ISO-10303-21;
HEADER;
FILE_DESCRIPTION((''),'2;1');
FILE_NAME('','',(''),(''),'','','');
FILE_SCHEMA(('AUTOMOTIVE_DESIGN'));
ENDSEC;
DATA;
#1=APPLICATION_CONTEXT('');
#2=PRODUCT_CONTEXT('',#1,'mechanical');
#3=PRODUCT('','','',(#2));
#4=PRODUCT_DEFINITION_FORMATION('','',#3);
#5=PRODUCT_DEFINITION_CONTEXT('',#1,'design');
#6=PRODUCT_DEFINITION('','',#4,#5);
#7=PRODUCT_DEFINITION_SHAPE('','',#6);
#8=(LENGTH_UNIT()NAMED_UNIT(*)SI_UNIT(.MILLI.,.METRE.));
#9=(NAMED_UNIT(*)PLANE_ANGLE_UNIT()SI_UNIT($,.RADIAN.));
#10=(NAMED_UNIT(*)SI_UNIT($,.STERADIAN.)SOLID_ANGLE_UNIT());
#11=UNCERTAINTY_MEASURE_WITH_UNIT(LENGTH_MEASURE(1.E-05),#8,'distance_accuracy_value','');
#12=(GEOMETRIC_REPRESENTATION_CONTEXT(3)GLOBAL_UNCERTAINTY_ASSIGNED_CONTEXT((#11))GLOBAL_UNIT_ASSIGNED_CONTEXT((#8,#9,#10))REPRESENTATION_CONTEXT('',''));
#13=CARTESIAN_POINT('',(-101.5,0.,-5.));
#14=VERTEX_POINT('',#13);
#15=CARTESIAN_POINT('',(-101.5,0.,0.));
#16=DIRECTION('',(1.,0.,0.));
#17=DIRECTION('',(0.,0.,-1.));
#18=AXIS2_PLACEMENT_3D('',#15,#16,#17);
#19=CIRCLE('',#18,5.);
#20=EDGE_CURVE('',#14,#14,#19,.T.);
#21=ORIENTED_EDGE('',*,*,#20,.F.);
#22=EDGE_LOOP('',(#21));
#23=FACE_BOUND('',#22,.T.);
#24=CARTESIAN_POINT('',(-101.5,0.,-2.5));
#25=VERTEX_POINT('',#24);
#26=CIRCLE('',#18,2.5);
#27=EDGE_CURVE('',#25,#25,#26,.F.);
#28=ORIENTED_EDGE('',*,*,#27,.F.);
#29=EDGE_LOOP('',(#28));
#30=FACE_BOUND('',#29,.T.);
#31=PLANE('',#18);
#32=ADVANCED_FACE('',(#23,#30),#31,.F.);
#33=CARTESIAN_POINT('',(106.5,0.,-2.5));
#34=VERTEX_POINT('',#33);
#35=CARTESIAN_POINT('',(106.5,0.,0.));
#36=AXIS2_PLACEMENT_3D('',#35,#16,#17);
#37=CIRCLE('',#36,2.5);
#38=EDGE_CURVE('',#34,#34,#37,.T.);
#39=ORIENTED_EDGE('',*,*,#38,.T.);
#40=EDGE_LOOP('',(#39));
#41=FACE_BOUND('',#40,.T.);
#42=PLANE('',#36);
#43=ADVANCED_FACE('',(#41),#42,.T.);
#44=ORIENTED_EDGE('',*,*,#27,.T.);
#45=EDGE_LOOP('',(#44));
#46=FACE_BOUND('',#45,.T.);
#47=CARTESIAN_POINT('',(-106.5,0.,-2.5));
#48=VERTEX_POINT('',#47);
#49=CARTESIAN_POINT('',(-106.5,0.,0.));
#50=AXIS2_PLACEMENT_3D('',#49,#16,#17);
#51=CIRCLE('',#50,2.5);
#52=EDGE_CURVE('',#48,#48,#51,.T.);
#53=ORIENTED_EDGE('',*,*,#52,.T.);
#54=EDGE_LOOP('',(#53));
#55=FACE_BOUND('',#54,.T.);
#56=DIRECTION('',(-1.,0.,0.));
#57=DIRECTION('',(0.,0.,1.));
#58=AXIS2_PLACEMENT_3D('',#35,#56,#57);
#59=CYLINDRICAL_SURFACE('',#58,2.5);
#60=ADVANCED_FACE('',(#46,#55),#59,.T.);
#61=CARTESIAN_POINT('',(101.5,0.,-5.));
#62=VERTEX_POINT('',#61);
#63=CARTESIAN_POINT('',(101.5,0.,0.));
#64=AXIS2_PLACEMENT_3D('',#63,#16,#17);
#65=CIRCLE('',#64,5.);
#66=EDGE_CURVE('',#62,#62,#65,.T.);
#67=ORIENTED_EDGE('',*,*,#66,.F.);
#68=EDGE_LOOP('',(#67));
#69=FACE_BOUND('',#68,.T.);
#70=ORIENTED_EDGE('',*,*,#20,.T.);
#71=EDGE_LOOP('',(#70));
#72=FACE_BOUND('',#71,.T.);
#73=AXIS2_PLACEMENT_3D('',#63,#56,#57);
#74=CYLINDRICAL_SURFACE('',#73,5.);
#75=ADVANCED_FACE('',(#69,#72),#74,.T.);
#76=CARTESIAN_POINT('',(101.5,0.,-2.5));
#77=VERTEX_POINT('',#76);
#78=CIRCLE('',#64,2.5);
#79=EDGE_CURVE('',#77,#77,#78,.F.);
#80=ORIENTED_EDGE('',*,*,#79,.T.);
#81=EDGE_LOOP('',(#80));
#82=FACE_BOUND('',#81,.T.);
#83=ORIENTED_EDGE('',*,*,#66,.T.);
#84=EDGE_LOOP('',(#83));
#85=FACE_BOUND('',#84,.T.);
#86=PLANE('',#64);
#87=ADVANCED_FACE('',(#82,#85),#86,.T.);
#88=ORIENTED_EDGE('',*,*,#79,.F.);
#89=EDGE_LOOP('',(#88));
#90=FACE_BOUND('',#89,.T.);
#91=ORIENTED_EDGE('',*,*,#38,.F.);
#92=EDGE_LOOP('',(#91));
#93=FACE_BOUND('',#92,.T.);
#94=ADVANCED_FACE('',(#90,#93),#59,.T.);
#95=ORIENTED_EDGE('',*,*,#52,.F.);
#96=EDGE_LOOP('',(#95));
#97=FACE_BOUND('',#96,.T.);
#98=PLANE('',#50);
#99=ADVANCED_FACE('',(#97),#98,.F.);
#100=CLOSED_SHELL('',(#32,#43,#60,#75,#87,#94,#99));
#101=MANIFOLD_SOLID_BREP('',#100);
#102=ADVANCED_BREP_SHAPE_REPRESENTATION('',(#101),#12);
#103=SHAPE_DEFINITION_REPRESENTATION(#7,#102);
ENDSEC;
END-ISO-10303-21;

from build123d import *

# Parameters (mm, degrees)
CROQUIS1_R              = 5
SALIENTE_EXTRUIR1_DEPTH = 101.5
CROQUIS2_R              = 2.5
SALIENTE_EXTRUIR2_DEPTH = 106.5


with BuildPart() as part:
    # Croquis1 → Saliente-Extruir1 (new body, symmetric)
    with BuildSketch(Plane(origin=(0, 0, 0), x_dir=(0, 0, -1), z_dir=(1, 0, 0))):
        Circle(CROQUIS1_R)
    extrude(amount=SALIENTE_EXTRUIR1_DEPTH, both=True)

    # Croquis2 → Saliente-Extruir2 (add, symmetric)
    with BuildSketch(Plane(origin=(0, 0, 0), x_dir=(0, 0, -1), z_dir=(1, 0, 0))):
        Circle(CROQUIS2_R)
    extrude(amount=SALIENTE_EXTRUIR2_DEPTH, both=True)


solid = part.part
